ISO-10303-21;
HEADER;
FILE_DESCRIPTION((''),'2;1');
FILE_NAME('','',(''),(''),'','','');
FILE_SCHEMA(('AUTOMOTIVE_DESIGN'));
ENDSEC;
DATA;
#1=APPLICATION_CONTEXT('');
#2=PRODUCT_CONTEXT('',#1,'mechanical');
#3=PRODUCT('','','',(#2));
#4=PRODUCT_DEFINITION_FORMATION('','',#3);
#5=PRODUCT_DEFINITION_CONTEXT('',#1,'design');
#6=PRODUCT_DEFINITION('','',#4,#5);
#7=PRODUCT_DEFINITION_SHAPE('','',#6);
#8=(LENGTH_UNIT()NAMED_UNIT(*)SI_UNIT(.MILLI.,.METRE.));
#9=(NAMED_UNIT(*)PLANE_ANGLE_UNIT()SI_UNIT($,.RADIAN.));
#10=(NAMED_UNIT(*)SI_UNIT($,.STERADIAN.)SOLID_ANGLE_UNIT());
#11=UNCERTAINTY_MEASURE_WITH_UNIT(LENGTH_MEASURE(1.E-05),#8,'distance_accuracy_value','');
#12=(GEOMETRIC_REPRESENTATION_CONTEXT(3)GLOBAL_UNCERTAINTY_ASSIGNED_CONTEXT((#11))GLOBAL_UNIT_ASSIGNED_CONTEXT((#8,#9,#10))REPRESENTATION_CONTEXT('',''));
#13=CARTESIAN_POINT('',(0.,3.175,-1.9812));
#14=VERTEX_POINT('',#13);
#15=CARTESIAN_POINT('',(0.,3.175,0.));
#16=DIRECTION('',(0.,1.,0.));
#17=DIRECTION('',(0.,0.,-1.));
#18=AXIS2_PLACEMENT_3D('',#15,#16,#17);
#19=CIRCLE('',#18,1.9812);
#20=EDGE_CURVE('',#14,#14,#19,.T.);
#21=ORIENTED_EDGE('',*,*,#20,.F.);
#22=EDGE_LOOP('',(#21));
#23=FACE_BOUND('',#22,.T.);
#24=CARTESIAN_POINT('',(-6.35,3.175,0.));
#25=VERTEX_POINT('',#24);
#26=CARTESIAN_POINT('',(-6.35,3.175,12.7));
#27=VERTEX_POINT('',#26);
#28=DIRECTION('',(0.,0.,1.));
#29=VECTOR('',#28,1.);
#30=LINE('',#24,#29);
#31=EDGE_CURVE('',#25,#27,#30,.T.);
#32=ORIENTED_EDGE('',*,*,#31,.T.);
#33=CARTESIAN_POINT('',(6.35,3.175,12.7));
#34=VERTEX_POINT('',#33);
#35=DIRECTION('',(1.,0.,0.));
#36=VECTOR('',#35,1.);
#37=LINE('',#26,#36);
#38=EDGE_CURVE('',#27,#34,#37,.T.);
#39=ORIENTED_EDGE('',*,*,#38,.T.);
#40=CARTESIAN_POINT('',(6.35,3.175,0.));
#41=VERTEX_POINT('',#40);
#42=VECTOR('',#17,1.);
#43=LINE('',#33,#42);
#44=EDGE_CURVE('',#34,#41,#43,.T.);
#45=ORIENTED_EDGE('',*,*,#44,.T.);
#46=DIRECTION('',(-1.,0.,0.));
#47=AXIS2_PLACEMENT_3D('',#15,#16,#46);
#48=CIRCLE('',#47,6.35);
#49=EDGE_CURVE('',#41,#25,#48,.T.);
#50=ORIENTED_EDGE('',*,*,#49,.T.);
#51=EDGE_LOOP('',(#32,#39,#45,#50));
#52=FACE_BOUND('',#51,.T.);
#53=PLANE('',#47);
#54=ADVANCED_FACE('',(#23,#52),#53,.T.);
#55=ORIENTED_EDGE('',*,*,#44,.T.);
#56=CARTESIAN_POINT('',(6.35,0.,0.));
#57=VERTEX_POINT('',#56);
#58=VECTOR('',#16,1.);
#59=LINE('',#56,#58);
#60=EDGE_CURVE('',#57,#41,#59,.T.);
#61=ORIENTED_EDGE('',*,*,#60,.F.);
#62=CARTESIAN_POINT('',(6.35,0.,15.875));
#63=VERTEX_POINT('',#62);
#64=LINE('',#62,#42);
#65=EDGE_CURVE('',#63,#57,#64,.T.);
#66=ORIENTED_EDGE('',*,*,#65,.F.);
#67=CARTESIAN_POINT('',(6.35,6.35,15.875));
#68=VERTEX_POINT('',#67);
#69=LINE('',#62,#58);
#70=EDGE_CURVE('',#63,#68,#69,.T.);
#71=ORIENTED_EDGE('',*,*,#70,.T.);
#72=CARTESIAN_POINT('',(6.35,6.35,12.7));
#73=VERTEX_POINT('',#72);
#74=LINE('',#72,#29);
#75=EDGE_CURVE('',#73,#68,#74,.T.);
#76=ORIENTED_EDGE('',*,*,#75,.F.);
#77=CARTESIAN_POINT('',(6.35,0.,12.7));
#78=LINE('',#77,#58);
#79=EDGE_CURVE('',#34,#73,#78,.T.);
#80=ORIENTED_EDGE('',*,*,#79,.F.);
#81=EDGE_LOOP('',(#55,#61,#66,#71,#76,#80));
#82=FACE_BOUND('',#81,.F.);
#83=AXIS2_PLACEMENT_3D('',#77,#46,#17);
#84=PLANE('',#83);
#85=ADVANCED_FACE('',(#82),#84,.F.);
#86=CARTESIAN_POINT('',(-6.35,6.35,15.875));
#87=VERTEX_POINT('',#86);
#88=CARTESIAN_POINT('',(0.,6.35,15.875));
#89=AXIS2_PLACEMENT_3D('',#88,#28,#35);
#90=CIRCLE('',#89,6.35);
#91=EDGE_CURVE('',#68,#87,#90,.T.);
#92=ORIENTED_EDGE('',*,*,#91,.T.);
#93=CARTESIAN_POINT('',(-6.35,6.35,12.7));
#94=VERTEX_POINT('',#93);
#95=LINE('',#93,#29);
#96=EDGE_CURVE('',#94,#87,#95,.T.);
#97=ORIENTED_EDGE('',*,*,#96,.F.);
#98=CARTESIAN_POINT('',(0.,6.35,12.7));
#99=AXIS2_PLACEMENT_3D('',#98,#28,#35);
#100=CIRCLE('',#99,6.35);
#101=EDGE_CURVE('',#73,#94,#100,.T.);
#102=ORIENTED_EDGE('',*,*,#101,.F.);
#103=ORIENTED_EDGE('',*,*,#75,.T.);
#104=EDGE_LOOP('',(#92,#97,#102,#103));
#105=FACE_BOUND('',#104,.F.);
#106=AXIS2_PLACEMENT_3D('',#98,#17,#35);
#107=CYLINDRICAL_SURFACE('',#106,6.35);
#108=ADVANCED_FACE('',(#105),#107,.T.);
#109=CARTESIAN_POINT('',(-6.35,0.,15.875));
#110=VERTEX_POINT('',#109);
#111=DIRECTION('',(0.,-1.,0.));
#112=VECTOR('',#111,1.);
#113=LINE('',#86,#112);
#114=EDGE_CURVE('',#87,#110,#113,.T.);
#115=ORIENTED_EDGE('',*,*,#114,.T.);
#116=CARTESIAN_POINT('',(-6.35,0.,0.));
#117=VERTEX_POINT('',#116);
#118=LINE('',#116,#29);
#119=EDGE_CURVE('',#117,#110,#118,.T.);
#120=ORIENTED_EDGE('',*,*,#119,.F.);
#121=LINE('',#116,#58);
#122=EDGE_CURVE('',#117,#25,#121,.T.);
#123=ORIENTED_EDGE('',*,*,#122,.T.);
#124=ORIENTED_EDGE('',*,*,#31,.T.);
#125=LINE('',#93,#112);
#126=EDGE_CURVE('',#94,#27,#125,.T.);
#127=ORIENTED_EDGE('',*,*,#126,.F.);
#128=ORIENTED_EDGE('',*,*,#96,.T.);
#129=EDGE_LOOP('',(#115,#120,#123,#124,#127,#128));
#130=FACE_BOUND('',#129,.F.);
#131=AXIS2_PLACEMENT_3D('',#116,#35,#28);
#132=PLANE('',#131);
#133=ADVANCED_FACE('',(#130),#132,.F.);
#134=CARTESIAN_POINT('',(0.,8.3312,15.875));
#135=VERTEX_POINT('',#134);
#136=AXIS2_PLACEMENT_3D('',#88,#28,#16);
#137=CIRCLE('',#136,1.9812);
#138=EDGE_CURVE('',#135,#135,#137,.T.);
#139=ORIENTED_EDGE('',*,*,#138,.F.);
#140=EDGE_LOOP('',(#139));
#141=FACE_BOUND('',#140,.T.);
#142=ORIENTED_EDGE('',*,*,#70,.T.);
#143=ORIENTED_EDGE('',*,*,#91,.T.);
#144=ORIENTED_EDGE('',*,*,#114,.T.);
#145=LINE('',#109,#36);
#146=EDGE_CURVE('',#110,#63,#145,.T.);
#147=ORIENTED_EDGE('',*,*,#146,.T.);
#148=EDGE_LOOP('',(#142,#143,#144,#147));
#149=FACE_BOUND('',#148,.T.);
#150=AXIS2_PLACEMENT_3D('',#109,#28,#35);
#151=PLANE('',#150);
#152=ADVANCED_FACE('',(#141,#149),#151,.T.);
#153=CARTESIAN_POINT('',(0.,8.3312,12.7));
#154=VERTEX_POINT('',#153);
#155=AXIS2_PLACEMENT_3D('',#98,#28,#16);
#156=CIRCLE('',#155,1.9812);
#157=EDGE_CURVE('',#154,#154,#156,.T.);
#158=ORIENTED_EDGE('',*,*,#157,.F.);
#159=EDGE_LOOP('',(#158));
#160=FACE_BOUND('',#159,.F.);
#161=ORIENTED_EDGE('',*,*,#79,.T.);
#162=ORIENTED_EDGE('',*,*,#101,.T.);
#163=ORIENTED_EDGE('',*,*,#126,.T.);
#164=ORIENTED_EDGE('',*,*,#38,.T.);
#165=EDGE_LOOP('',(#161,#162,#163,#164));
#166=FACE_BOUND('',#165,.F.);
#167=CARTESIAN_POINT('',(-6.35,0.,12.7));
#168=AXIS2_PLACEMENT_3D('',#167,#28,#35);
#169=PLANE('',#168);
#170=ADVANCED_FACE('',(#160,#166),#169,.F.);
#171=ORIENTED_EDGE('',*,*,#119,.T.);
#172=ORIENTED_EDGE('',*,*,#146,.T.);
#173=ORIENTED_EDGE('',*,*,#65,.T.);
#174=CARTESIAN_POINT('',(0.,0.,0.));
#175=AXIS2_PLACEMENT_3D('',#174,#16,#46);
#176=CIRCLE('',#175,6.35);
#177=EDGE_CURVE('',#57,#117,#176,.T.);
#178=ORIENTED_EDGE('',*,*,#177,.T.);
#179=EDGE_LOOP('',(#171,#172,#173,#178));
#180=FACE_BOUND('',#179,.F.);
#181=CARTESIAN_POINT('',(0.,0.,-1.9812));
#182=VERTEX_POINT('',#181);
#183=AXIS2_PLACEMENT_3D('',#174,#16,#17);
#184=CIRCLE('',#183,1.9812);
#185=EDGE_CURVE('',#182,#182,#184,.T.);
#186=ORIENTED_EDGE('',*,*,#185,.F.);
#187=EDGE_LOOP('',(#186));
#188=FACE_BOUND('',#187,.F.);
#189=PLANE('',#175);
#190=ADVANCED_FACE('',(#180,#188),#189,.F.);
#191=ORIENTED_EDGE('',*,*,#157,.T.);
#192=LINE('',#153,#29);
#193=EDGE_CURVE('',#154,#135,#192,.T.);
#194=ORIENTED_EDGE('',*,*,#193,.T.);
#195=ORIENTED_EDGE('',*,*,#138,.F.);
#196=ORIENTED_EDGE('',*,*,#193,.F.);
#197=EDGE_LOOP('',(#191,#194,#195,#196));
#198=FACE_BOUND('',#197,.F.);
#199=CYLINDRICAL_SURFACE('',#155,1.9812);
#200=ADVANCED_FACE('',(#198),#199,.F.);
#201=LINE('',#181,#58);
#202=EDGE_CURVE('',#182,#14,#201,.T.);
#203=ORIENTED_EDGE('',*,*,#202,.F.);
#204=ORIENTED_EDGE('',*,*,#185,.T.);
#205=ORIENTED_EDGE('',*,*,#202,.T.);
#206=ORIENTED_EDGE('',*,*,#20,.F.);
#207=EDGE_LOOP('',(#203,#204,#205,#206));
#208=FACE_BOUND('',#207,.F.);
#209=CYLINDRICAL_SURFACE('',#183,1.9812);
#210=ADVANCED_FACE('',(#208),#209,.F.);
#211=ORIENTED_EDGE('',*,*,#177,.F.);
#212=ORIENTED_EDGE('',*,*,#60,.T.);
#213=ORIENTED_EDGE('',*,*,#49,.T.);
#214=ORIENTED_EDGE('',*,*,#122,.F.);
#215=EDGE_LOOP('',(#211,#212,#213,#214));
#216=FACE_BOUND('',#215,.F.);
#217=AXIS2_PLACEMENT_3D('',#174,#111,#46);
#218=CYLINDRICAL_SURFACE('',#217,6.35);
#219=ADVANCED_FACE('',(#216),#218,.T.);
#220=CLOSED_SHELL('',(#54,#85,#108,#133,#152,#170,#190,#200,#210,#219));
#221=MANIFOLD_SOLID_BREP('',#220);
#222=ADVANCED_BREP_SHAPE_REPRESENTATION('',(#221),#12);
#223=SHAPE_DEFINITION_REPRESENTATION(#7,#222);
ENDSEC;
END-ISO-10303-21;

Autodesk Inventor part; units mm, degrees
ref_plane "YZ Plane" through (0, 0, 0) normal (1, 0, 0) x (0, 1, 0)
ref_plane "XZ Plane" through (0, 0, 0) normal (0, 1, 0) x (-1, 0, 0)
ref_plane "XY Plane" through (0, 0, 0) normal (0, 0, 1) x (1, 0, 0)
sketch "Sketch1" plane through (0, 0, 0) normal (0, 1, 0) x (-1, 0, 0)
  circle A0 centre (0, 0) radius 6.35
  line L0 (6.35, 0) -> (6.35, 12.7)
  line L1 (6.35, 12.7) -> (-6.35, 12.7)
  line L2 (-6.35, 12.7) -> (-6.35, 0)
  dimension "d0" = 12.7
  dimension "d1" = 12.7
extrude "Extrusion1" add sketch "Sketch1" along normal blind 3.175
sketch "Sketch2" plane through (-6.35, 0, 12.7) normal (0, 0, 1) x (1, 0, 0)
  circle A0 centre (6.35, 6.35) radius 6.35
  line L0 (0, 6.35) -> (0, 0)
  line L1 (0, 0) -> (12.7, 0) projected
  line L2 (0, 0) -> (12.7, 0)
  line L3 (12.7, 0) -> (12.7, 6.35)
  point P0 (6.35, 0)
  dimension "d4" = 12.7
  dimension "d5" = 6.35
extrude "Extrusion2" add sketch "Sketch2" along normal blind 3.175
hole "Hole1" at (0, 0, 0) direction (0, 1, 0) diameter 3.9624 depth 13.6144 thread size "10-32 UNF" class "2B" standard "ANSI Unified Screw Threads"
hole "Hole2" at (0, 6.35, 12.7) direction (0, 0, 1) diameter 3.9624 end through all thread size "10-32 UNF" class "2B" standard "ANSI Unified Screw Threads"
properties part number "Rotational Linkage"
